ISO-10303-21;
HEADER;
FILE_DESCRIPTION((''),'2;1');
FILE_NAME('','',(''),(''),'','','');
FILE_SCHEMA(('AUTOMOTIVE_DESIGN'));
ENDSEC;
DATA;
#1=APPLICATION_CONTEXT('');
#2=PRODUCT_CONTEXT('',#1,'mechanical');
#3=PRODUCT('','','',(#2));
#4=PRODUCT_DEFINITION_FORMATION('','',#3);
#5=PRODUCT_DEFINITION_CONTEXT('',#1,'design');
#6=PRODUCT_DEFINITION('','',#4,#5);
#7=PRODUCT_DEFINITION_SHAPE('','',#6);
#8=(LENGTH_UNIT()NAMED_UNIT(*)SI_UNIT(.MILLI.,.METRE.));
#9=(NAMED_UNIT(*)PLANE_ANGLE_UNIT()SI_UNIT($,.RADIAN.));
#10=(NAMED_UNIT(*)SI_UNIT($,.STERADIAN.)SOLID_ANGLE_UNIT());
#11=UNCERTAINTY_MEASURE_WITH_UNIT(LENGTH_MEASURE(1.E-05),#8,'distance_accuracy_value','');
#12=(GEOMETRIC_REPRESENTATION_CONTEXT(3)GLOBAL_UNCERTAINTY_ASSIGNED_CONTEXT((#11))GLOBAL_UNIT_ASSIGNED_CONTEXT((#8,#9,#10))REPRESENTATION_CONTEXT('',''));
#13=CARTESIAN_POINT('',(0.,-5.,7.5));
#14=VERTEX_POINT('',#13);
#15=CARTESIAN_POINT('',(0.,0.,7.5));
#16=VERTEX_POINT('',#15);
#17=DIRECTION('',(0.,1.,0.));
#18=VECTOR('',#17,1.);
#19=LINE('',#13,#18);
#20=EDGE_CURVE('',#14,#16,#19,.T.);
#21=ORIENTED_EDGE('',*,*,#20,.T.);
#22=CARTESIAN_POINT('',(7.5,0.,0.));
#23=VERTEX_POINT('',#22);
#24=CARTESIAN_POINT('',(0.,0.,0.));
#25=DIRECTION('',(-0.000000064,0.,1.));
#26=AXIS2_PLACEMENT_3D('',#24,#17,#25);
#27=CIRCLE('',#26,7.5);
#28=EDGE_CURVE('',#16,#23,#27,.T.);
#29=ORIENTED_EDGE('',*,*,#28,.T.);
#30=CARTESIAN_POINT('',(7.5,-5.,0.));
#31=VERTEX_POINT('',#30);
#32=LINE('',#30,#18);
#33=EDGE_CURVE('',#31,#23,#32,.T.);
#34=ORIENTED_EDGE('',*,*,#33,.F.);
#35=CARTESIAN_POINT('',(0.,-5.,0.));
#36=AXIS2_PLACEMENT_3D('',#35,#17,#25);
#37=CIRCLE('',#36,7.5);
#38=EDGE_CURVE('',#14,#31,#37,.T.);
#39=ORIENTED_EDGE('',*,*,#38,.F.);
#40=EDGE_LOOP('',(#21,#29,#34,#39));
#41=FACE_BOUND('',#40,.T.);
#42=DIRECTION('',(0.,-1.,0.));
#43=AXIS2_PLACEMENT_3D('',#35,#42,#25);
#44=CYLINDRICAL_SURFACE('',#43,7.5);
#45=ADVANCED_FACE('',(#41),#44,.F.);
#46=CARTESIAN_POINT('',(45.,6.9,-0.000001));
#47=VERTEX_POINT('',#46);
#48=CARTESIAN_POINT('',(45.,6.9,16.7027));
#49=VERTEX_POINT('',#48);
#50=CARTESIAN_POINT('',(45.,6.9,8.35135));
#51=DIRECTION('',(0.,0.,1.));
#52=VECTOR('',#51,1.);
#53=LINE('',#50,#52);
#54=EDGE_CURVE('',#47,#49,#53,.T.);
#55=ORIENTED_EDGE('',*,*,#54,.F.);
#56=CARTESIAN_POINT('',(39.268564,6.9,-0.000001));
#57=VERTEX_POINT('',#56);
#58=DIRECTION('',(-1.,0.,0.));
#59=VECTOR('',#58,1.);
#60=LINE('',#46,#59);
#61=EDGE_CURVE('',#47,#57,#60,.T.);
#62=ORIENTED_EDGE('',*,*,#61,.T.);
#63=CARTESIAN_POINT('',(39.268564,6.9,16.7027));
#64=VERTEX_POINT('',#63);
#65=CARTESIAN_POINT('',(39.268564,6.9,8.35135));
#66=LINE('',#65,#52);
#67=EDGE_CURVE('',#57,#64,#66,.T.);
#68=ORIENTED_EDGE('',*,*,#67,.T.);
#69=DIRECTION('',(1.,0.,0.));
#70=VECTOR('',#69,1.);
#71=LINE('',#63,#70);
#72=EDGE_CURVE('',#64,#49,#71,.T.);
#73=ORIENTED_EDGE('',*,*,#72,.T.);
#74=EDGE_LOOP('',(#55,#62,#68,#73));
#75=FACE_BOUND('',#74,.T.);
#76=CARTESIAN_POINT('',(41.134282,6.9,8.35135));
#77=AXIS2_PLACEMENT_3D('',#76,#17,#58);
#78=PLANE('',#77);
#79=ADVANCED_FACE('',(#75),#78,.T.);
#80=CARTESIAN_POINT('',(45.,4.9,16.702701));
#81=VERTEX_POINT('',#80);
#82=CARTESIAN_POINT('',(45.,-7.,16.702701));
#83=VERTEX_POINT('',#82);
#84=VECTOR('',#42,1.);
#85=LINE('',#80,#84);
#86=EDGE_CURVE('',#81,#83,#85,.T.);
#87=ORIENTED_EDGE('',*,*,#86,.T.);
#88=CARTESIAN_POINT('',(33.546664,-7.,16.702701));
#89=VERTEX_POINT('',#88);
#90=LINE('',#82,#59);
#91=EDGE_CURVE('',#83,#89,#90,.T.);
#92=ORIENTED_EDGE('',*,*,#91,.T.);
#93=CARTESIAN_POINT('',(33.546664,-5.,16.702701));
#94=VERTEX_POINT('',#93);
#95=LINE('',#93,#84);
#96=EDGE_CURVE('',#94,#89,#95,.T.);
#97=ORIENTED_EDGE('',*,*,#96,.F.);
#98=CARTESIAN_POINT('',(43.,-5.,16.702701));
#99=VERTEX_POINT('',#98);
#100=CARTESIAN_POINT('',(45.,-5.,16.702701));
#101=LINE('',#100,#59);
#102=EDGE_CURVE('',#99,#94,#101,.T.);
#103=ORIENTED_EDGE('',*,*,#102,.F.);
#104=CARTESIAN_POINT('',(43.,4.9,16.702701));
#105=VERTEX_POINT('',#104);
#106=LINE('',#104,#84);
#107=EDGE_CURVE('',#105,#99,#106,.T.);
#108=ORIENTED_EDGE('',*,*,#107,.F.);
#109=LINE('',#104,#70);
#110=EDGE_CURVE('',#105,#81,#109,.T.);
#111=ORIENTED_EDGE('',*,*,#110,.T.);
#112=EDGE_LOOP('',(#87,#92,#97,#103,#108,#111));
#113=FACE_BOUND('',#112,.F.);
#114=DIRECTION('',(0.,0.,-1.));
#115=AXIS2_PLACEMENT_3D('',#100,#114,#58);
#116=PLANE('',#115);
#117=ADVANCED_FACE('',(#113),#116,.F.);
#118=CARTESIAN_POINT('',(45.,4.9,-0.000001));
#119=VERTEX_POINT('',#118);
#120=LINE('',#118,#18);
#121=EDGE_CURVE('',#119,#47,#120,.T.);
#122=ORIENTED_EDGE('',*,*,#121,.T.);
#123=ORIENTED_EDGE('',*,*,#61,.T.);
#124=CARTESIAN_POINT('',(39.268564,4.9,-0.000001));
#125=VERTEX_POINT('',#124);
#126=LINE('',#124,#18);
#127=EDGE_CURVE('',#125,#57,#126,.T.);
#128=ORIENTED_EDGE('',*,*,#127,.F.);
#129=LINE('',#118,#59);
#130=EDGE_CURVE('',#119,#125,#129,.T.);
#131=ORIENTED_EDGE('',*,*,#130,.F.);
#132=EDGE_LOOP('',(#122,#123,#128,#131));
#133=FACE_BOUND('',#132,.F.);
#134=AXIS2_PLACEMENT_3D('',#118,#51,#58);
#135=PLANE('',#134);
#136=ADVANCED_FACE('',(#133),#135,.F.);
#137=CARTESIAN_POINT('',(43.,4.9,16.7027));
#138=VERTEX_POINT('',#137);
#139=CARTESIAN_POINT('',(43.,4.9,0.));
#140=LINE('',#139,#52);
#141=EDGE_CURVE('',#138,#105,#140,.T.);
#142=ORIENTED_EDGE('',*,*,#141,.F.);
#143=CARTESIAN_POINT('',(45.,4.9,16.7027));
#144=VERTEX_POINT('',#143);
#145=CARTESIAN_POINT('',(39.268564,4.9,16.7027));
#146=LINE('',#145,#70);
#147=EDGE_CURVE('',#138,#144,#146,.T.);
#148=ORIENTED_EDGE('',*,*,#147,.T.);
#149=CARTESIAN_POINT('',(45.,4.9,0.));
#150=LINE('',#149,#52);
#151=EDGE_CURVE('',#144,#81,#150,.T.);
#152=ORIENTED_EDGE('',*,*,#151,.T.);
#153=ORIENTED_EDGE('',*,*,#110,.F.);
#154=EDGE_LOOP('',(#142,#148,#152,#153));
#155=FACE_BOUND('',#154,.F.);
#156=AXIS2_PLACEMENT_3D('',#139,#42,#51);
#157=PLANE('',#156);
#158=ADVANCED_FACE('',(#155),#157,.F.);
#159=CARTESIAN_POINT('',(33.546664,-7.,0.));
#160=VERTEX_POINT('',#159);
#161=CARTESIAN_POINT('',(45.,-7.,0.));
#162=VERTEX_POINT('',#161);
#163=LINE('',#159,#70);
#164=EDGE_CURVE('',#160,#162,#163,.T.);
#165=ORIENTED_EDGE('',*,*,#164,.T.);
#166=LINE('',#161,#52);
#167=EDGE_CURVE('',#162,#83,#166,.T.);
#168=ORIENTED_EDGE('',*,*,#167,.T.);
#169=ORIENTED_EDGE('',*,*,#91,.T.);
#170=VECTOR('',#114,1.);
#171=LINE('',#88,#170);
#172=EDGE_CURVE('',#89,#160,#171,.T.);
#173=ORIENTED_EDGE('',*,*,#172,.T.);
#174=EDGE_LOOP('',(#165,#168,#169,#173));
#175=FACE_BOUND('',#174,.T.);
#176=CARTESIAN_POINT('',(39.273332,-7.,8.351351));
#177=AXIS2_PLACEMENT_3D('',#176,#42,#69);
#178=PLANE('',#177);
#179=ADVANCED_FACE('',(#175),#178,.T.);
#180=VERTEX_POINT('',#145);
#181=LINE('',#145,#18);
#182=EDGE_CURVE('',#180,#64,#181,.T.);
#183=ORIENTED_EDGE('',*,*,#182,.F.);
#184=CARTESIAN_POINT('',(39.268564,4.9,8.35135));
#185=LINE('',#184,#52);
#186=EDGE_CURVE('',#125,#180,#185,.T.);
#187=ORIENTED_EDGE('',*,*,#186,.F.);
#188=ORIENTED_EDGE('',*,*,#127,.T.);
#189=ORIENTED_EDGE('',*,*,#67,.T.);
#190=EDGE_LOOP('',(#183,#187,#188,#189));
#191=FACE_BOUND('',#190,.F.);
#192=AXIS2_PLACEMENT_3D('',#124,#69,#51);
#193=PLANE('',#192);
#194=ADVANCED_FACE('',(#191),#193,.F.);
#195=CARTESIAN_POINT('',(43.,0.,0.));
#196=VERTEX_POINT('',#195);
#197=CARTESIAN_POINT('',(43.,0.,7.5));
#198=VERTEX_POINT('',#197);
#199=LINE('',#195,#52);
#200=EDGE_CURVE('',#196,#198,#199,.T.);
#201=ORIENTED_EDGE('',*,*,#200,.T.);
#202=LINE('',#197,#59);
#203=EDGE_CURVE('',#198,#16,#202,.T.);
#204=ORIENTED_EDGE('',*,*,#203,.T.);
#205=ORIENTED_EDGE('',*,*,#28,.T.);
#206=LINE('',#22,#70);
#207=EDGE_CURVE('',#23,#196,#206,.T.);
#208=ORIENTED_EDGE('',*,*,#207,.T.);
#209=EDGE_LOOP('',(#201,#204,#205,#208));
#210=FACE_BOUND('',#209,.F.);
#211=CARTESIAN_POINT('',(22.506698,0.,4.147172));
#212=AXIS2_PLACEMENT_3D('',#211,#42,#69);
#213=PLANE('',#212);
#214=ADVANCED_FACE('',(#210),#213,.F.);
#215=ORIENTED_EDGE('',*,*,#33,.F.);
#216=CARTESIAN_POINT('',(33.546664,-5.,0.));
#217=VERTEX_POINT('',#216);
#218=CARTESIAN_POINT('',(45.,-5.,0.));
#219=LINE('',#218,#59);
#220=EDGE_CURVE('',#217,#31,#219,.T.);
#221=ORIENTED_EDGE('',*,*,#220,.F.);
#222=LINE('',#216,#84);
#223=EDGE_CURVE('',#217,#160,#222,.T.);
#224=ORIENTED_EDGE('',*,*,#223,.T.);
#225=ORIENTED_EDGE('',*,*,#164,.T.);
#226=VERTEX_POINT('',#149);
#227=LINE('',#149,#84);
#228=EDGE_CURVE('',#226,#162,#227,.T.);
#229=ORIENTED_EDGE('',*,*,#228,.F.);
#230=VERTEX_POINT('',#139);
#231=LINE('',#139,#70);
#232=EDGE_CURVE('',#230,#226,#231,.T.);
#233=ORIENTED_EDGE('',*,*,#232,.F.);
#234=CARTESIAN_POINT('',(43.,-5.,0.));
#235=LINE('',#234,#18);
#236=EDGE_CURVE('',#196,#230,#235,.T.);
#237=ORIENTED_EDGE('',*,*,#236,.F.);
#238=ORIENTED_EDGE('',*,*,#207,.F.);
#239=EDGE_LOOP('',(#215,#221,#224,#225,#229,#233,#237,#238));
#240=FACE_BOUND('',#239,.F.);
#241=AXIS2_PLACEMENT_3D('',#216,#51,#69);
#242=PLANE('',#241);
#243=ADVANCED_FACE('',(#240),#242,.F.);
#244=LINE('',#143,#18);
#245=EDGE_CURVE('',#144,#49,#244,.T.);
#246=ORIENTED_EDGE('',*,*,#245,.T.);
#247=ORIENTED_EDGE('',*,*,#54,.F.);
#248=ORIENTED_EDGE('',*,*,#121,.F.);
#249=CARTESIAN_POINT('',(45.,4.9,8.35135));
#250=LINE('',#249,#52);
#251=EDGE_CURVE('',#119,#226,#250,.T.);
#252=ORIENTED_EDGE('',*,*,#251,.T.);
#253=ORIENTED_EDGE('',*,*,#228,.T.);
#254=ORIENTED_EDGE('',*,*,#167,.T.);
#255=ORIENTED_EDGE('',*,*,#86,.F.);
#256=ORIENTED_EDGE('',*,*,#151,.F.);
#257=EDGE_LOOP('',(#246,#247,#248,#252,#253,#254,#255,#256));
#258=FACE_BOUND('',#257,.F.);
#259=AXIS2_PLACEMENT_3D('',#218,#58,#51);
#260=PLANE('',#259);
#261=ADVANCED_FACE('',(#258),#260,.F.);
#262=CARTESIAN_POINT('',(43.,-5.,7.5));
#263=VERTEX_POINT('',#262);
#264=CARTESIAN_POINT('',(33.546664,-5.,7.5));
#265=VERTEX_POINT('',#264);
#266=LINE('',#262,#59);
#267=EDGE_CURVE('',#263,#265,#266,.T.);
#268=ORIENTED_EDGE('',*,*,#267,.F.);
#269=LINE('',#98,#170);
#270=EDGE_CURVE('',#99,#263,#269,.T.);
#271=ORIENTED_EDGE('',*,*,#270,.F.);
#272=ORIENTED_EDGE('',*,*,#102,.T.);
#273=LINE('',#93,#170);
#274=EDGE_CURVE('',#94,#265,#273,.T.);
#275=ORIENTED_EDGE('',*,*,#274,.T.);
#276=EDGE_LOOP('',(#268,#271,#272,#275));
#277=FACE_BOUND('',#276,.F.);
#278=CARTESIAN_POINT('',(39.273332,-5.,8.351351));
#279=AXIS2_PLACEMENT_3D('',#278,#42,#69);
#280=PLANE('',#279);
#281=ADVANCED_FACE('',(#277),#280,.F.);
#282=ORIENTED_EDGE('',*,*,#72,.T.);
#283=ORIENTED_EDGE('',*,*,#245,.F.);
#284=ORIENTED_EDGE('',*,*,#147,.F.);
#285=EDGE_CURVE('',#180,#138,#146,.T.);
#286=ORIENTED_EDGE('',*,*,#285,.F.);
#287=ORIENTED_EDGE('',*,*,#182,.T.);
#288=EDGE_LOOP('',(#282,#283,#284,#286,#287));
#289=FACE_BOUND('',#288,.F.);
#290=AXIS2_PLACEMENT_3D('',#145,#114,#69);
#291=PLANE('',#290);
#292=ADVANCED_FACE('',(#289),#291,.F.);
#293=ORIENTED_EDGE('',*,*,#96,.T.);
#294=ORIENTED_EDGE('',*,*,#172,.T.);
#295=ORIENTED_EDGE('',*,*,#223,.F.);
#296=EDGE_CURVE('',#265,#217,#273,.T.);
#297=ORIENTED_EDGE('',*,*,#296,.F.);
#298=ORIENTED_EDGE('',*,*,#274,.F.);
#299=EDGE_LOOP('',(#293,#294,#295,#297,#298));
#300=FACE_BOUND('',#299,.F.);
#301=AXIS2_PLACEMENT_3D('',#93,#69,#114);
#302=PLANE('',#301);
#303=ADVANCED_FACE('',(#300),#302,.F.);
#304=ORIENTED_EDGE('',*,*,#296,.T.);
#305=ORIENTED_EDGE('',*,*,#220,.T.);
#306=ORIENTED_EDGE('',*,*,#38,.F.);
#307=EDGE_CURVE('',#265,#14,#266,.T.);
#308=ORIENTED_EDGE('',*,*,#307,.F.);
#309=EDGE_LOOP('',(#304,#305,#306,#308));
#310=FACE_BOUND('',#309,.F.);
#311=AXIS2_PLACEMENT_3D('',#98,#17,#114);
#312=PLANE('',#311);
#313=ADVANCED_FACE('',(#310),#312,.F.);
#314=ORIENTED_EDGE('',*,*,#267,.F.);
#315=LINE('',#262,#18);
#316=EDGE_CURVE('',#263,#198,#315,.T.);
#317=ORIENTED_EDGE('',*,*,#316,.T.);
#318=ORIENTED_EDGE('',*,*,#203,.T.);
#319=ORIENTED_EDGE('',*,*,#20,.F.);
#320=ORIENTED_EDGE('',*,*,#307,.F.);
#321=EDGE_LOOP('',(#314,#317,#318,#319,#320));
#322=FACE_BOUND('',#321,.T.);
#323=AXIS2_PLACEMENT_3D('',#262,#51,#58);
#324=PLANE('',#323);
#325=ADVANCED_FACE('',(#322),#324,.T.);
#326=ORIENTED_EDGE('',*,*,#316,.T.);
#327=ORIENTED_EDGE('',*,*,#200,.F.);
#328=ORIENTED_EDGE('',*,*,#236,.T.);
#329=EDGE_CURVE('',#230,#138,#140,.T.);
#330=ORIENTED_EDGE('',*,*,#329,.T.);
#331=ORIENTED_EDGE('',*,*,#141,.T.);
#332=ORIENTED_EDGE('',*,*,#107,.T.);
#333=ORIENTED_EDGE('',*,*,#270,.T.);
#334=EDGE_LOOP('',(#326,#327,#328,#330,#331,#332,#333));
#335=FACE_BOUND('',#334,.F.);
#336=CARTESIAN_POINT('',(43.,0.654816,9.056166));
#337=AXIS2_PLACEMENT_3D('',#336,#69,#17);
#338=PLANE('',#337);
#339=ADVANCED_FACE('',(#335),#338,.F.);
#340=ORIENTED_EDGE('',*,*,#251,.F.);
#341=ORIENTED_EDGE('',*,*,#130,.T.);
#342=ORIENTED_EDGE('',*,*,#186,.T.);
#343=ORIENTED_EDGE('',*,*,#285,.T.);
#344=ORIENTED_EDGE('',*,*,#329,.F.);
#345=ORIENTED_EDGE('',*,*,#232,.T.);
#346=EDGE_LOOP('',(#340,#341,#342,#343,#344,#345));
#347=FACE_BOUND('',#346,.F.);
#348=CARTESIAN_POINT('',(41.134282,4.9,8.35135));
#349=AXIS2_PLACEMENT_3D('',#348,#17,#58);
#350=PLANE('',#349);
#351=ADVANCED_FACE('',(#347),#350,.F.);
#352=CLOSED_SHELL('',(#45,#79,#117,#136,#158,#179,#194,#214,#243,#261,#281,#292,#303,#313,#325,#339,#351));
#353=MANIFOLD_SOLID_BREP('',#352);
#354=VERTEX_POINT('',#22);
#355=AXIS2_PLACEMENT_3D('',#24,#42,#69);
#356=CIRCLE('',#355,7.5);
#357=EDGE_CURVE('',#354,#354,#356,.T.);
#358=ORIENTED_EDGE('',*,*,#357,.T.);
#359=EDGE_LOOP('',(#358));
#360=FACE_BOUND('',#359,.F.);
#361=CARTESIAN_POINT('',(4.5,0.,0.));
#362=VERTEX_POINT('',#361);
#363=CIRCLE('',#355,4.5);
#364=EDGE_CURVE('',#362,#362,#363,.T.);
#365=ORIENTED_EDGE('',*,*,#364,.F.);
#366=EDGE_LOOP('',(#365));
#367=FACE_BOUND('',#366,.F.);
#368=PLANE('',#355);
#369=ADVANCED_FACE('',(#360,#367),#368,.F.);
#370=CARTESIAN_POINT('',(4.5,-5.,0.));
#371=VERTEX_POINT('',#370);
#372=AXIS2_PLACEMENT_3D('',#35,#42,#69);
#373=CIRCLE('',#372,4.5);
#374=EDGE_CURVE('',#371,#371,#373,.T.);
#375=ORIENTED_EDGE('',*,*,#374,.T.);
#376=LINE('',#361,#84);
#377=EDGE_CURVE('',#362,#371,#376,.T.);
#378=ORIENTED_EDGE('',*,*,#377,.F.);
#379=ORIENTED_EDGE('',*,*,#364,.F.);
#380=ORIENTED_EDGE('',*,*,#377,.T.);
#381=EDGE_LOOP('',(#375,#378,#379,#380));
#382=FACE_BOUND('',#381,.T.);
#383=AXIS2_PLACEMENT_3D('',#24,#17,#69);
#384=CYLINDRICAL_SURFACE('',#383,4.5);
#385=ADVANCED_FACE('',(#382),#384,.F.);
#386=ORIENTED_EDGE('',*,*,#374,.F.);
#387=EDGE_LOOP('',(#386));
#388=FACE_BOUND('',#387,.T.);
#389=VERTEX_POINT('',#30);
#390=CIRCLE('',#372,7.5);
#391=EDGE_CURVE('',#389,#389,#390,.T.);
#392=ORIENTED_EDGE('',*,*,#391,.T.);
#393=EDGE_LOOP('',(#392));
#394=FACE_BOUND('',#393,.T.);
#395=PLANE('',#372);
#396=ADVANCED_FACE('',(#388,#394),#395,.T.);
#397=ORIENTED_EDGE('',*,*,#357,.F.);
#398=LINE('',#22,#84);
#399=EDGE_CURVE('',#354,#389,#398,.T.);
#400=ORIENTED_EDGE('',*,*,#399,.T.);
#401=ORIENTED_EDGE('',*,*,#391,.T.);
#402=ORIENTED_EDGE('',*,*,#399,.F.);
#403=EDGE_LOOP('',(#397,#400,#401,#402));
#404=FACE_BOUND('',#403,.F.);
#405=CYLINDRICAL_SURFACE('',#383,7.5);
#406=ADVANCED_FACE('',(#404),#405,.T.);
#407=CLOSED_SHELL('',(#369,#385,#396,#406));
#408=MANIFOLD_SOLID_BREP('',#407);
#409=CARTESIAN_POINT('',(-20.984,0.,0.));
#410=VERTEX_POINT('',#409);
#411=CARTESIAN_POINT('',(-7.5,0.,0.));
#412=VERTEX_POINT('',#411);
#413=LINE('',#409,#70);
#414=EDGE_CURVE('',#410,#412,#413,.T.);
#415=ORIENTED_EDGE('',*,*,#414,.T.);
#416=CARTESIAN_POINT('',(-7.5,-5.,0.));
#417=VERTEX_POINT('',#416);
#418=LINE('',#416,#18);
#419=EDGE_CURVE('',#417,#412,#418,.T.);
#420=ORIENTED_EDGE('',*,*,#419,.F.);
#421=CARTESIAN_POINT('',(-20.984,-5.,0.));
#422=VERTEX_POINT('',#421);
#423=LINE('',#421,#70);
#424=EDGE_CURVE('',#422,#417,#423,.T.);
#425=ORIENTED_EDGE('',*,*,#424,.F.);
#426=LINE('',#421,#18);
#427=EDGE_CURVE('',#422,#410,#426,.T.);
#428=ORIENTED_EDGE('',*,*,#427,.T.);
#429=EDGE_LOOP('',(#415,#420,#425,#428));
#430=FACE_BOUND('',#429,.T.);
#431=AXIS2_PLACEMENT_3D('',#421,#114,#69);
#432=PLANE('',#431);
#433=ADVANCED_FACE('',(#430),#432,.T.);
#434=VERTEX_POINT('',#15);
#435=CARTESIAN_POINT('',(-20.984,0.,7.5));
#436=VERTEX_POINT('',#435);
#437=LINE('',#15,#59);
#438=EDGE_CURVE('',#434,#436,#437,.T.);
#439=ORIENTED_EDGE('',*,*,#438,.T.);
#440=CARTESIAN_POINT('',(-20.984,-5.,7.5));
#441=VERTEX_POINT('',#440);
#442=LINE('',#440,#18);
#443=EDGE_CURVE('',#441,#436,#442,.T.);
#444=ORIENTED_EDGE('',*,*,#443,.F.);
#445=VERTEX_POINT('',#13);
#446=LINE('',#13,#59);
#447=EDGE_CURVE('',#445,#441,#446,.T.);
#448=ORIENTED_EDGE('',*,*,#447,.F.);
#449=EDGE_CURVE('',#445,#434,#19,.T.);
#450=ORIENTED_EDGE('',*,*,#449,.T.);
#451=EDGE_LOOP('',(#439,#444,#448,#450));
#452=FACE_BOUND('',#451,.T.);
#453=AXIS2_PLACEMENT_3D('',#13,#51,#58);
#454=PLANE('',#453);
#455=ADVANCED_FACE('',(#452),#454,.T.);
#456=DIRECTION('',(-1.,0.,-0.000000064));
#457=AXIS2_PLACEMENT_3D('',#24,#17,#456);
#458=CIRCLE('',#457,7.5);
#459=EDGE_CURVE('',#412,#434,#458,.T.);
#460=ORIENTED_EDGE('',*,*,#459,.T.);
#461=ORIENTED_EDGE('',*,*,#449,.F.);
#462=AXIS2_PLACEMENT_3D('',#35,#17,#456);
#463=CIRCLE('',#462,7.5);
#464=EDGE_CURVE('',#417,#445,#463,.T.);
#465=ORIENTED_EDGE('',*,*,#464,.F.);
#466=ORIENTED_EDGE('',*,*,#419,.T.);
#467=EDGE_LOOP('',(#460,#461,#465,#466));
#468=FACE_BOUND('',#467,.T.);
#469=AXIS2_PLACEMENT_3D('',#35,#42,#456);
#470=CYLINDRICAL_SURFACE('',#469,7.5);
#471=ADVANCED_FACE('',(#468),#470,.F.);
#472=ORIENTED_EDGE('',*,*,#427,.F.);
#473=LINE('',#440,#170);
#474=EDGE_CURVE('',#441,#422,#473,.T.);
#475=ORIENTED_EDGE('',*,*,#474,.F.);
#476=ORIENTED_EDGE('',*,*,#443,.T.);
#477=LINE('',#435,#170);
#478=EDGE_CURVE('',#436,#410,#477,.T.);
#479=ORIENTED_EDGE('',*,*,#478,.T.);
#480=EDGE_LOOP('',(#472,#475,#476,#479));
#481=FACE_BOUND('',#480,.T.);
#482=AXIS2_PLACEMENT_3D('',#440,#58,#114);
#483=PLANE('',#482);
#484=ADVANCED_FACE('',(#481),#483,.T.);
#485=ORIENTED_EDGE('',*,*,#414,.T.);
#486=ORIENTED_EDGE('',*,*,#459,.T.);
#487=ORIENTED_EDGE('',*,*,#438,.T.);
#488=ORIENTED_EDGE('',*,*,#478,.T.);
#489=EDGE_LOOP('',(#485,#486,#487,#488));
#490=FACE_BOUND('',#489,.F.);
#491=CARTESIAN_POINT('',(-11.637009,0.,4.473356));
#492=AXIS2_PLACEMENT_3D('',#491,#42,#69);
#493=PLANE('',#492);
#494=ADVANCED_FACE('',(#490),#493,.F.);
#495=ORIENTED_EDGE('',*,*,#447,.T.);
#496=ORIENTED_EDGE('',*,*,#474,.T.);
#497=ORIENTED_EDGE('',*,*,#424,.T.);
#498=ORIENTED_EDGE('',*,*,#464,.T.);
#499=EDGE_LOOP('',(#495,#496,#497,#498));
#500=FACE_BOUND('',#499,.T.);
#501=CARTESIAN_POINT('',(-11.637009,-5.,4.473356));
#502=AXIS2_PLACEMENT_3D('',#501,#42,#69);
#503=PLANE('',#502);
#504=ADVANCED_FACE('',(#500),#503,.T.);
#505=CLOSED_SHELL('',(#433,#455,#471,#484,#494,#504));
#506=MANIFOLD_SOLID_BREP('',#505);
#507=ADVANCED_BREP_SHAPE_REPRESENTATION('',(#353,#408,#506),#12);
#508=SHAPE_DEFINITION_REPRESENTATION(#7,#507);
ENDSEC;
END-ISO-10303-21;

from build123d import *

# Parameters (mm, degrees)
F0_R     = 7.5
F0_R_2   = 4.5
F1_DEPTH = 5
F3_DEPTH = 5
F4_W     = 5
F4_H     = 7.5
F5_DEPTH = 2
F6_W     = 3.731436
F6_H     = 16.702701
F6_W_2   = 2
F7_DEPTH = 2
F9_DEPTH = 2


with BuildPart() as f1:
    # F0 (on Front) → F1 (new body)
    with BuildSketch(Plane.XZ):
        Circle(F0_R)
        Circle(F0_R_2, mode=Mode.SUBTRACT)
    extrude(amount=F1_DEPTH)


with BuildPart() as f3:
    # F2 (on face) → F3 (new body)
    with BuildSketch(Plane.XZ.offset(5)):
        with BuildLine():
            ThreePointArc((-7.5, 0), (-5.303301, 5.303301), (0, 7.5))
            Line((0, 7.5), (-20.984, 7.5))
            Line((-20.984, 7.5), (-20.984, 0))
            Line((-20.984, 0), (-7.5, 0))
        make_face()
        with BuildLine():
            ThreePointArc((0, 7.5), (5.303301, 5.303301), (7.5, 0))
            Line((7.5, 0), (43, 0))
            Line((43, 0), (43, 7.5))
            Line((43, 7.5), (0, 7.5))
        make_face()
    extrude(amount=-F3_DEPTH)

    # F4 (on face) → F5 (join)
    with BuildSketch(Plane.YZ.offset(43)):
        Polygon((0, 7.5), (0, 0), (4.9, 0), (4.9, 16.702701), (-5, 16.702701), (-5, 7.5), align=None)
        with Locations((-2.5, 3.75)):
            Rectangle(F4_W, F4_H)
    extrude(amount=F5_DEPTH)

    # F6 (on face) → F7 (join)
    with BuildSketch(Plane(origin=(0, 4.9, 0), x_dir=(-1, 0, 0), z_dir=(0, 1, 0))):
        with Locations((-41.134282, 8.35135)):
            Rectangle(F6_W, F6_H)
        with Locations((-44, 8.35135)):
            Rectangle(F6_W_2, F6_H)
    extrude(amount=F7_DEPTH)

    # F8 (on face) → F9 (join)
    with BuildSketch(Plane.XZ.offset(5)):
        Polygon((33.546664, 0), (45, 0), (45, 16.702701), (43, 16.702701), (33.546664, 16.702701), align=None)
    extrude(amount=F9_DEPTH)


solid = Compound([f1.part, f3.part])
